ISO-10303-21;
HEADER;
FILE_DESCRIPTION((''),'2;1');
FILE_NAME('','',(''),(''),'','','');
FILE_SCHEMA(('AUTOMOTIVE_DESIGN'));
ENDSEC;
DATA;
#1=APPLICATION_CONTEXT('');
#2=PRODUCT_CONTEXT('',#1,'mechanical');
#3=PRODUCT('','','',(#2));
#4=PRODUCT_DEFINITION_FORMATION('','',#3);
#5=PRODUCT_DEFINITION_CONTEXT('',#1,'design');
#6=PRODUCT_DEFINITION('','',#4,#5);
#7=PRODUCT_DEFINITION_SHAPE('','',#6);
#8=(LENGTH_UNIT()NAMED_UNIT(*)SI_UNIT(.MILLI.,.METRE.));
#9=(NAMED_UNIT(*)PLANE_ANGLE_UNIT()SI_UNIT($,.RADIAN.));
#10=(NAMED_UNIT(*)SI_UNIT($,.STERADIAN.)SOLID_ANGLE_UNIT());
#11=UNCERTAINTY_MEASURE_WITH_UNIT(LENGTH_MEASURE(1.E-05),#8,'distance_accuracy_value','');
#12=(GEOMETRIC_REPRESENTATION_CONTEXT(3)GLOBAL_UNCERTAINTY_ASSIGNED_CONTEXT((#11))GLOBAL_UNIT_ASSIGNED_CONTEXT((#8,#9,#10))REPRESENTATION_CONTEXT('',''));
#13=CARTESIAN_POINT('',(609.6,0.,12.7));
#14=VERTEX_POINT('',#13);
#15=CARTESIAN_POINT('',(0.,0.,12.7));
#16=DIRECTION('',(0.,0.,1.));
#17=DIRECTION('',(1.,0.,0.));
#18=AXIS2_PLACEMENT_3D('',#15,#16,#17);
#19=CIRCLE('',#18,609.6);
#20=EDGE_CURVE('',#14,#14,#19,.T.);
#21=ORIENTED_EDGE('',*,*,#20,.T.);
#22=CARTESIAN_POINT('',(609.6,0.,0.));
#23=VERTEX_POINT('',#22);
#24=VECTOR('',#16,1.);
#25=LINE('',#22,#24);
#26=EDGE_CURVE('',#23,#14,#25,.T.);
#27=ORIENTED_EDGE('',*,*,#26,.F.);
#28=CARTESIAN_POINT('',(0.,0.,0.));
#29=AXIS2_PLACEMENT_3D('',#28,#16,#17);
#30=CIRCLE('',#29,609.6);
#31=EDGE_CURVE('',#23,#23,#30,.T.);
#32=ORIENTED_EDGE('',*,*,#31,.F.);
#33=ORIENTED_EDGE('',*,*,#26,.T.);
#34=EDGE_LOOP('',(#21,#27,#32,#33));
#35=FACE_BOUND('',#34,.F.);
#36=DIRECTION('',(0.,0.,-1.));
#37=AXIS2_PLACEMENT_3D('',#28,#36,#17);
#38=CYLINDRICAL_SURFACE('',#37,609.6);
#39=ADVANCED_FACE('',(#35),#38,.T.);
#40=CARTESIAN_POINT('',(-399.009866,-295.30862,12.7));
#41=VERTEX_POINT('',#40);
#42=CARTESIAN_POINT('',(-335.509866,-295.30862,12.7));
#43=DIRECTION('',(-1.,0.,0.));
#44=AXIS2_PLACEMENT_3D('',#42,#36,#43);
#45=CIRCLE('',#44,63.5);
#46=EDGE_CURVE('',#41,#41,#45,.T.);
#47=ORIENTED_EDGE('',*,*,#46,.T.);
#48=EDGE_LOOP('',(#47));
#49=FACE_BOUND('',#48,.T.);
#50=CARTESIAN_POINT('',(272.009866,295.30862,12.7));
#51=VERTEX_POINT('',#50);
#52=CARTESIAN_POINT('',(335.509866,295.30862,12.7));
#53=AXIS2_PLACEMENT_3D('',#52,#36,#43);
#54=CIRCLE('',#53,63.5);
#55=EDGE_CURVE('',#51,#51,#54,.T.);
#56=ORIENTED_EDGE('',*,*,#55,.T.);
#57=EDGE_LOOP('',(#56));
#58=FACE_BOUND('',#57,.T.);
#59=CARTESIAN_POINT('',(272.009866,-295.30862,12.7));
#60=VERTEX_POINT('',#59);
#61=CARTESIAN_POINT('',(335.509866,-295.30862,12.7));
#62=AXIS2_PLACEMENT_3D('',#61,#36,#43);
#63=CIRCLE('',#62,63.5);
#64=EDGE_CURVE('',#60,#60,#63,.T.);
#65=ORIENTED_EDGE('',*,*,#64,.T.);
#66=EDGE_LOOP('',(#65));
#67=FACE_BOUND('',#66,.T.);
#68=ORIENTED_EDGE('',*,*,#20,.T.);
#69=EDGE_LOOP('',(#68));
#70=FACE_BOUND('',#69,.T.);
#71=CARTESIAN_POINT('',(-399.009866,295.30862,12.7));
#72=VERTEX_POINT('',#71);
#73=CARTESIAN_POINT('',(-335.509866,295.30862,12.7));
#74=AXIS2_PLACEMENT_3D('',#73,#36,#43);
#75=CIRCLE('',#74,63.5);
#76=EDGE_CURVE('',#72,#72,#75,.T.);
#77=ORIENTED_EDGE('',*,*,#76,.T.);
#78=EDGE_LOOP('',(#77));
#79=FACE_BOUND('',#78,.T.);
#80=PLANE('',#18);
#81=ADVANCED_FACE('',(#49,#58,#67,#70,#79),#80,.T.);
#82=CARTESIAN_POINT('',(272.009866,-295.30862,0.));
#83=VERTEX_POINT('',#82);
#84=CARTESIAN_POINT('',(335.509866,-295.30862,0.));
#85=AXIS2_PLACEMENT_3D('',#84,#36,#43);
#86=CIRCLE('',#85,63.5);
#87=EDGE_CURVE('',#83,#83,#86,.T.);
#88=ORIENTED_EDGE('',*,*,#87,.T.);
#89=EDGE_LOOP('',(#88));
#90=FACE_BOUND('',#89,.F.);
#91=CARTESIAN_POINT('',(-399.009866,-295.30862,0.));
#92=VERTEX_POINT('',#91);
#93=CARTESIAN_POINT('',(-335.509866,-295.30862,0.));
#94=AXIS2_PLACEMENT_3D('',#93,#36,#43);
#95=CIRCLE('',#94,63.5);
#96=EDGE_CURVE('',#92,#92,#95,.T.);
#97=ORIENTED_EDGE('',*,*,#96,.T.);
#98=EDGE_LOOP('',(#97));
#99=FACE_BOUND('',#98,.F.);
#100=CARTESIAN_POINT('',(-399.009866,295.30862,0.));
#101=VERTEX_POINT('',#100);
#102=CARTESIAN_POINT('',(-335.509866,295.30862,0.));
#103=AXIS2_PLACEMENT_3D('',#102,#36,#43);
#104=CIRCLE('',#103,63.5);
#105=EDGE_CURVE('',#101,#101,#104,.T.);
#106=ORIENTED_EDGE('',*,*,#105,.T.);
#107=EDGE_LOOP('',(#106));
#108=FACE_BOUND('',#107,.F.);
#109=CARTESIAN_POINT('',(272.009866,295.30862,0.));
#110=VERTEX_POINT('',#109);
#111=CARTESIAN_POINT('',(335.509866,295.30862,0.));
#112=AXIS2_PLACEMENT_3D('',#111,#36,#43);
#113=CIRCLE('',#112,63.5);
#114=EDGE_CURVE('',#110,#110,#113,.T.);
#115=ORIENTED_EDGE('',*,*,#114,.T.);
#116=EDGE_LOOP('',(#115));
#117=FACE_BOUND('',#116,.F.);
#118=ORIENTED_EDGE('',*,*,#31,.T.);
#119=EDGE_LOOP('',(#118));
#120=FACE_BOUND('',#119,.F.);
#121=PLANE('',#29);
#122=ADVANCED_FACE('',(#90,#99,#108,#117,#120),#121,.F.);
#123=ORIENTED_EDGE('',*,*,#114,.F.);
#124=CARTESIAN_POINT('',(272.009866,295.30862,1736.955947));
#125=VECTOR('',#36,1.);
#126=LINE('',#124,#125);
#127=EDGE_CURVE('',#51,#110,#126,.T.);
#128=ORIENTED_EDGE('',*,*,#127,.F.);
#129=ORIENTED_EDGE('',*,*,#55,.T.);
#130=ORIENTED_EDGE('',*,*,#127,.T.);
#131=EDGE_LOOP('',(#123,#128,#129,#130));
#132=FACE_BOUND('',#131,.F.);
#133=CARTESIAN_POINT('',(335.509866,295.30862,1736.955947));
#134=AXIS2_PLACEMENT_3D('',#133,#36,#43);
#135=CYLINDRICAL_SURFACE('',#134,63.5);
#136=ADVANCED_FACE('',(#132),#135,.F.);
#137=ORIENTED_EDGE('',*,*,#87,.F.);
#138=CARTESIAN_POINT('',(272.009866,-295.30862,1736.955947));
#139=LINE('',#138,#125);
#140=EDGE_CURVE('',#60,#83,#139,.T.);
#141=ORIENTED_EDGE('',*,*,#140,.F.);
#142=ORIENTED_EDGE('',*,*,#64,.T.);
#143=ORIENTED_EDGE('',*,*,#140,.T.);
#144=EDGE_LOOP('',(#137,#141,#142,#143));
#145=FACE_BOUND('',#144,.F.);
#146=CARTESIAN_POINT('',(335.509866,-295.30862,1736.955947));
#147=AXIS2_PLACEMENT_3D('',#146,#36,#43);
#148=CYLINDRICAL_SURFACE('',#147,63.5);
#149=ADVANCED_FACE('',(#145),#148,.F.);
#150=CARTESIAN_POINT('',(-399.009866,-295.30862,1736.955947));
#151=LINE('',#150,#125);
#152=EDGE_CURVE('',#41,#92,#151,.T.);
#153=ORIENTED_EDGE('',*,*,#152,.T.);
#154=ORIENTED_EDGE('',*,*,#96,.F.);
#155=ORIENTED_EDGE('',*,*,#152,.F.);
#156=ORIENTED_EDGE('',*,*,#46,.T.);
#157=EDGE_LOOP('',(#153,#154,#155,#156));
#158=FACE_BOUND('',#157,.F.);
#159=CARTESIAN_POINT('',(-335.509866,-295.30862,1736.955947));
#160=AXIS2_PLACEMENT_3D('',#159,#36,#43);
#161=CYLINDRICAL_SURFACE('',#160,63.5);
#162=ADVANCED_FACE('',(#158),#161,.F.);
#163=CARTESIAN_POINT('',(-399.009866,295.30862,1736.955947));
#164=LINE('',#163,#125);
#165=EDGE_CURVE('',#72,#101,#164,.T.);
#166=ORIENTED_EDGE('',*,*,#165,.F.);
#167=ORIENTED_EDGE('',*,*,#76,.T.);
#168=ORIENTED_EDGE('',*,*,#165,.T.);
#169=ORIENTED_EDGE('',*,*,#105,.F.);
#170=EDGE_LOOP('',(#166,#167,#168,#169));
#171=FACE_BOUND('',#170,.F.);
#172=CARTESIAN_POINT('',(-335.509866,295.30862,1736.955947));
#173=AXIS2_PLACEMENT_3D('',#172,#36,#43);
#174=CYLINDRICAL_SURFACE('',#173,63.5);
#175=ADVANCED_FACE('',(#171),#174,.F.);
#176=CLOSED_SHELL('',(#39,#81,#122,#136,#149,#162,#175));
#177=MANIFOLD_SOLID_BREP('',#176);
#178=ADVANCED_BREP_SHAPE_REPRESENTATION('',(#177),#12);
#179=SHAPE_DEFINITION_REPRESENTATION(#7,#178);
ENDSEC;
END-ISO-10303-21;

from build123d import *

# Parameters (mm, degrees)
F0_R     = 609.6
F1_DEPTH = 12.7
F3_D     = 127


with BuildPart() as f1:
    # F0 (on Top) → F1 (new body)
    with BuildSketch(Plane.XY):
        Circle(F0_R)
    extrude(amount=F1_DEPTH)

    # F3 (through all)
    with Locations(Plane.XY.offset(12.7)):
        with Locations((335.509866, 295.30862), (335.509866, -295.30862), (-335.509866, -295.30862), (-335.509866, 295.30862)):
            Hole(F3_D / 2)


solid = f1.part
